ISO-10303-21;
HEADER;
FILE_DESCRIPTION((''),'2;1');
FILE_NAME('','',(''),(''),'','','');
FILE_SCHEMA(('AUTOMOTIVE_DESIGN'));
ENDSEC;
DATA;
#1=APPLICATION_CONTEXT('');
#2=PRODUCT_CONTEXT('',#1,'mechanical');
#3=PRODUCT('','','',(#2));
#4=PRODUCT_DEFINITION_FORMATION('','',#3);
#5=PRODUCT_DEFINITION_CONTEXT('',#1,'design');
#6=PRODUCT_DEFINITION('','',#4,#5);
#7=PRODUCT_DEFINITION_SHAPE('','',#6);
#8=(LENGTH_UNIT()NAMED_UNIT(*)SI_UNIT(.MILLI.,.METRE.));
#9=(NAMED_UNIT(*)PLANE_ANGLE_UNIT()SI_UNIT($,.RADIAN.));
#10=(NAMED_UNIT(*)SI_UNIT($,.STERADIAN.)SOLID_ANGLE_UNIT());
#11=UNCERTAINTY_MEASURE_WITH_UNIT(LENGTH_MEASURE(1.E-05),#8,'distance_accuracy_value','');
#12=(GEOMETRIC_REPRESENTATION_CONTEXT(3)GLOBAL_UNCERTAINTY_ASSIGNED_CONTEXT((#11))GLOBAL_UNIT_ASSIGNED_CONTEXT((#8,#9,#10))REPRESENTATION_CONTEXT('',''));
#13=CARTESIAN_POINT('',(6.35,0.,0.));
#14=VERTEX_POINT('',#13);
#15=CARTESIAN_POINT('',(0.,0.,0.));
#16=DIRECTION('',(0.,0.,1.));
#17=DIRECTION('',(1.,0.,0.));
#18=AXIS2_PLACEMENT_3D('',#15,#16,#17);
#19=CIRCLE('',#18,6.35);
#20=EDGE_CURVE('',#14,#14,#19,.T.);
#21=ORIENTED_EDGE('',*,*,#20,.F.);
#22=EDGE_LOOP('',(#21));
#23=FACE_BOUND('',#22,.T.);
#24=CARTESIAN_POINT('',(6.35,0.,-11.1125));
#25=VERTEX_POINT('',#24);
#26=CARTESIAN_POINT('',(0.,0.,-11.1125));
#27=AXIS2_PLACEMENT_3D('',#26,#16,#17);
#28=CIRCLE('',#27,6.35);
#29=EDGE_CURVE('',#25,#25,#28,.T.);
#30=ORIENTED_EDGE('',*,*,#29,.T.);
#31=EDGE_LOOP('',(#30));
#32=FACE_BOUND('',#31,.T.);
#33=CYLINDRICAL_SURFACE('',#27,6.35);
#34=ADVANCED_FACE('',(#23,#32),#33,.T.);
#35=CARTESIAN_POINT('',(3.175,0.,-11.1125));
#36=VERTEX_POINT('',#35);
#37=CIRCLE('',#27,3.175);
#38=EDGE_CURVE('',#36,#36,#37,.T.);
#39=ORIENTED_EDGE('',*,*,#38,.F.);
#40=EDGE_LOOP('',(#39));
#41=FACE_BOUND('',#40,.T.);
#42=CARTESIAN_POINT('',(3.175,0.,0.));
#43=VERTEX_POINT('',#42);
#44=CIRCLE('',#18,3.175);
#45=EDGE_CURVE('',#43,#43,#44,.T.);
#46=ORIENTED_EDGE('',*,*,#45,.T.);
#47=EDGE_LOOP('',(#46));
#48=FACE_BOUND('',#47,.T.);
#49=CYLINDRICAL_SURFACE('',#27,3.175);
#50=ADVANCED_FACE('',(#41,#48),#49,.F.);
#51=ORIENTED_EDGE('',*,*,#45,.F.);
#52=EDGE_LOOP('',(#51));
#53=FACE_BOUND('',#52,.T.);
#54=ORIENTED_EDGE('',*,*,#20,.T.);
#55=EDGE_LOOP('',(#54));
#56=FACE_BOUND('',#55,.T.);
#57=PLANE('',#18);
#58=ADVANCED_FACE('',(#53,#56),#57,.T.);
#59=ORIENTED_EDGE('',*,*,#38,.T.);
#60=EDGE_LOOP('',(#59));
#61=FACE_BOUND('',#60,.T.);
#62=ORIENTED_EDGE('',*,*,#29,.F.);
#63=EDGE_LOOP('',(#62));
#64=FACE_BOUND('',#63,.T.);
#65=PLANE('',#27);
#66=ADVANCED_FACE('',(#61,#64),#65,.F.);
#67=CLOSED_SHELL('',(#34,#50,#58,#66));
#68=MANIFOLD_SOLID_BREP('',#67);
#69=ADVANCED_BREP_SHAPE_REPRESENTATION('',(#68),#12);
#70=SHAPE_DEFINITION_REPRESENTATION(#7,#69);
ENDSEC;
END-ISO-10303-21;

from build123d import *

# Parameters (mm, degrees)
SKETCH1_R           = 6.35
SKETCH1_R_2         = 3.175
BOSS_EXTRUDE1_DEPTH = 11.1125


with BuildPart() as part:
    # Sketch1 → Boss-Extrude1 (new body)
    with BuildSketch(Plane.XY):
        Circle(SKETCH1_R)
        Circle(SKETCH1_R_2, mode=Mode.SUBTRACT)
    extrude(amount=-BOSS_EXTRUDE1_DEPTH)


solid = part.part
